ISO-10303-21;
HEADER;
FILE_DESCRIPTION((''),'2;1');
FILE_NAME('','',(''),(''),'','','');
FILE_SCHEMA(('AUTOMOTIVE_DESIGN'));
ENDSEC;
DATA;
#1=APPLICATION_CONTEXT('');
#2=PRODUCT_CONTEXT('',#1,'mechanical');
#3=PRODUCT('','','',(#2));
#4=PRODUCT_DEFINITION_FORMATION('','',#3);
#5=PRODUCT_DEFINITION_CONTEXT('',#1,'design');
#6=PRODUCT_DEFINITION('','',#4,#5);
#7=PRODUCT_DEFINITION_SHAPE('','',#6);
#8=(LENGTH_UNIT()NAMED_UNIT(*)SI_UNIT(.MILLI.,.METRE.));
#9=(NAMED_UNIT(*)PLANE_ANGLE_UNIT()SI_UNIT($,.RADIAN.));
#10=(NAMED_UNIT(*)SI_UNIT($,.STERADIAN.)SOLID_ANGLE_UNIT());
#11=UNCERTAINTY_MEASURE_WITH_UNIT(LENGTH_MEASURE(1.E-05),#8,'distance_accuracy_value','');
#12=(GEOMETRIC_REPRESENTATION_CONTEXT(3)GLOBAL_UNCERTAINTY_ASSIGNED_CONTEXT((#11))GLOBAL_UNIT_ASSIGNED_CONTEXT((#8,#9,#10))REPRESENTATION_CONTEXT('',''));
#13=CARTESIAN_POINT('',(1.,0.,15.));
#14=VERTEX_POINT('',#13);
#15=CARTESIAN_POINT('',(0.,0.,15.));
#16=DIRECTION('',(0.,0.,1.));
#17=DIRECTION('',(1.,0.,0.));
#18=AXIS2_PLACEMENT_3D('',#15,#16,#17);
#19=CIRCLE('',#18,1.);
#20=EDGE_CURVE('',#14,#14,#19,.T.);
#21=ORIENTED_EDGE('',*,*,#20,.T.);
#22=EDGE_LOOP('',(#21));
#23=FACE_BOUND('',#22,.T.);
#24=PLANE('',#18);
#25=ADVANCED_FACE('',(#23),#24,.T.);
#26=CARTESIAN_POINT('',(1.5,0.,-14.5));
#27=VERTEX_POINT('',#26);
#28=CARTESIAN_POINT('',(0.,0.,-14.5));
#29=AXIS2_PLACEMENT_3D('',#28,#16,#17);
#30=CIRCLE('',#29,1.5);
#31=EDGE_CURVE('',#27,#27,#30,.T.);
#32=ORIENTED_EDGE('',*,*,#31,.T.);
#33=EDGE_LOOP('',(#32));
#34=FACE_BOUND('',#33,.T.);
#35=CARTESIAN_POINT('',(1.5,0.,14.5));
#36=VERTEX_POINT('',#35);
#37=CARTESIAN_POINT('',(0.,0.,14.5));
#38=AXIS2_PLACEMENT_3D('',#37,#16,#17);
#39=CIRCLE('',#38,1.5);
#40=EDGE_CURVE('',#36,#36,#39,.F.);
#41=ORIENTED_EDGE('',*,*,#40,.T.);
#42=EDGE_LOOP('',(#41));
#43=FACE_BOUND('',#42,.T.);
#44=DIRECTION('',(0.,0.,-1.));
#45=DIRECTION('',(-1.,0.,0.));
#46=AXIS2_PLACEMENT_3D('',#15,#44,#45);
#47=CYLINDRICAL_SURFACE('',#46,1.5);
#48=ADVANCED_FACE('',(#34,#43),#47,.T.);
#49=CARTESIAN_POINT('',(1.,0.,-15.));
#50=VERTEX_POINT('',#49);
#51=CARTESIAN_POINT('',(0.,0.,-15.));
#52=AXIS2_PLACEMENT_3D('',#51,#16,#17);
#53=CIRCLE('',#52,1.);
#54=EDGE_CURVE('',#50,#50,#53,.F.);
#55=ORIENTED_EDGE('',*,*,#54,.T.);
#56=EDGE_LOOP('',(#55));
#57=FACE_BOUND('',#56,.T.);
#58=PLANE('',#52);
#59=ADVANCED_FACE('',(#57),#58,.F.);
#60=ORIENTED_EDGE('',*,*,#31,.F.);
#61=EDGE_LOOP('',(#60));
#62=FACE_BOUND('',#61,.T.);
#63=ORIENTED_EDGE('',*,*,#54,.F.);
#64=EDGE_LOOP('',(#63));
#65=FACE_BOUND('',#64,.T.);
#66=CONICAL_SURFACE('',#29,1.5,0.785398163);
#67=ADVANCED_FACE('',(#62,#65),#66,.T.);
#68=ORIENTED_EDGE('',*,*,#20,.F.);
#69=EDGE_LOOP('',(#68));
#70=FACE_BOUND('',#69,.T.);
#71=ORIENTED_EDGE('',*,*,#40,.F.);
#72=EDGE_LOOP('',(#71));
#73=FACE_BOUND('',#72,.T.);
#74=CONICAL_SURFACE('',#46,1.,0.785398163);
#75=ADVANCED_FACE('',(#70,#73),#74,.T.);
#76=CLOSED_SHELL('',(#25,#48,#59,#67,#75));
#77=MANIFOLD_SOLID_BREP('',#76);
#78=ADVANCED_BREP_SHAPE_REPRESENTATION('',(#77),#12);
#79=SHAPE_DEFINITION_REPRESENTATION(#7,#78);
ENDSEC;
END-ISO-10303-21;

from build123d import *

# Parameters (mm, degrees)
ESQUISSE1_R        = 1.5
BOSS_EXTRU_1_DEPTH = 15
CHANFREIN1_SIZE    = 0.5


with BuildPart() as part:
    # Esquisse1 → Boss.-Extru.1 (new, symmetric)
    with BuildSketch(Plane.XY):
        Circle(ESQUISSE1_R)
    extrude(amount=BOSS_EXTRU_1_DEPTH, both=True)

    # Chanfrein1
    chanfrein1_edges = [part.edges().sort_by_distance(p)[0] for p in [
        (-1.5, 0, -15),
        (-1.5, 0, 15),
    ]]
    chamfer(chanfrein1_edges, length=CHANFREIN1_SIZE)


solid = part.part
